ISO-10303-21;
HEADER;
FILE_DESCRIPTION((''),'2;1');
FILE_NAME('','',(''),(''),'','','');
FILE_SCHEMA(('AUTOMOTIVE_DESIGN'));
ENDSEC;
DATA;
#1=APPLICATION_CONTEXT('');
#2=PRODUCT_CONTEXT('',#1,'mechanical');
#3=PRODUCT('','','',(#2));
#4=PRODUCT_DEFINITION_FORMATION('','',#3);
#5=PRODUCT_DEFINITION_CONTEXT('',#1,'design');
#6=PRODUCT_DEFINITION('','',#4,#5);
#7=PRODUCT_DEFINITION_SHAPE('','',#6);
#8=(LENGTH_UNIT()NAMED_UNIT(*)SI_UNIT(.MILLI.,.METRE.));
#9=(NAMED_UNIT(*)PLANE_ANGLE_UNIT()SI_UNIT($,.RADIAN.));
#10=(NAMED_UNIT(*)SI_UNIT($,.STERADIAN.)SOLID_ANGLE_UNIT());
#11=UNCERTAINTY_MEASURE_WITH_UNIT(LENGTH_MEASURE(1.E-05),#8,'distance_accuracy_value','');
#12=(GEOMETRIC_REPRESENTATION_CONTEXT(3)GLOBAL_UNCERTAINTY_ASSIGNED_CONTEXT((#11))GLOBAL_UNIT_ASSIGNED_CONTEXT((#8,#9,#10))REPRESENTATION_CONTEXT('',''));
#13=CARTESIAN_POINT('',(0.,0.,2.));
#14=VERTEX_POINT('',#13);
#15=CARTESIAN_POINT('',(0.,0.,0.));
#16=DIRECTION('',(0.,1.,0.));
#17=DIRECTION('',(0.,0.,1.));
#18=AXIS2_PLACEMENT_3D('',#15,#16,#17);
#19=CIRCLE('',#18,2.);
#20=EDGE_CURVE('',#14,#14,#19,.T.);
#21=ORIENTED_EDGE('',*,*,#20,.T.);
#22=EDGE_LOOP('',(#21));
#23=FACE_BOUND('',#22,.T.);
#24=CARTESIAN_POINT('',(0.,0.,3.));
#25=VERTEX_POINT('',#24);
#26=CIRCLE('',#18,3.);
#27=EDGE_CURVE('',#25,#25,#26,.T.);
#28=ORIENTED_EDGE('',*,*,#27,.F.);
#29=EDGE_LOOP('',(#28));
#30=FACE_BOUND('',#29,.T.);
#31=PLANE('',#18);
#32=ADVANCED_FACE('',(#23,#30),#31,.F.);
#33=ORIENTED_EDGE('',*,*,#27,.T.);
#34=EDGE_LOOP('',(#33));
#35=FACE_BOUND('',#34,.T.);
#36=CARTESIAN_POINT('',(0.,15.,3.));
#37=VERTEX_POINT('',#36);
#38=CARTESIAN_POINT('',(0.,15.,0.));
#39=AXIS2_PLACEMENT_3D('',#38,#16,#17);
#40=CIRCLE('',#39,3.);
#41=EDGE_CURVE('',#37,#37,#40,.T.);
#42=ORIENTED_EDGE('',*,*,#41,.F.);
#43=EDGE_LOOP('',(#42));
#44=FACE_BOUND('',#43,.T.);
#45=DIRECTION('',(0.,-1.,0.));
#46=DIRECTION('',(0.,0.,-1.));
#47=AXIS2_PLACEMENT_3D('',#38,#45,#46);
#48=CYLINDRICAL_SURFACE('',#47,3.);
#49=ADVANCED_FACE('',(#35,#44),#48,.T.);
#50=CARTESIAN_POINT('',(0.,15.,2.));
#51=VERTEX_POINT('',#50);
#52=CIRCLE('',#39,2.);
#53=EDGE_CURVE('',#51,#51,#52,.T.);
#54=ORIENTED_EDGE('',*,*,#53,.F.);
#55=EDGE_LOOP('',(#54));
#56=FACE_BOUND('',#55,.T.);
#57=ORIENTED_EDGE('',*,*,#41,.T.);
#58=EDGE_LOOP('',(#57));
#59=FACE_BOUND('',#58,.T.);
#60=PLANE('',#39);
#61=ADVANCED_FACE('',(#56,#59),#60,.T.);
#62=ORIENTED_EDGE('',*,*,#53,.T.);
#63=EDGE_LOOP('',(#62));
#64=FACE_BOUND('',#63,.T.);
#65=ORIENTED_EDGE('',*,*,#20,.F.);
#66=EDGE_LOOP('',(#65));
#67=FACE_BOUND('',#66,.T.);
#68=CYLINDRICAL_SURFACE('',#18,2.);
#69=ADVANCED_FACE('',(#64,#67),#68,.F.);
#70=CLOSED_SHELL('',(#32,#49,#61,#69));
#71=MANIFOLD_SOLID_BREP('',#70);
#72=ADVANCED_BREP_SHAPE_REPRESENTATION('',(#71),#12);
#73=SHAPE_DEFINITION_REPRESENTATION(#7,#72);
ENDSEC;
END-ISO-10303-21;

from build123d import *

# Parameters (mm, degrees)
SKETCH1_R           = 3
BOSS_EXTRUDE1_DEPTH = 15
SKETCH2_R           = 2
CUT_EXTRUDE1_DEPTH  = 16.588457268


with BuildPart() as part:
    # Sketch1 → Boss-Extrude1 (new body)
    with BuildSketch(Plane(origin=(0, 0, 0), x_dir=(1, 0, 0), z_dir=(0, 1, 0))):
        with Locations(Location((0, 0, 0), (0, 0, 270))):
            Circle(SKETCH1_R)
    extrude(amount=BOSS_EXTRUDE1_DEPTH)

    # Sketch2 → Cut-Extrude1 (cut, through all)
    with BuildSketch(Plane(origin=(0, 15, 0), x_dir=(1, 0, 0), z_dir=(0, 1, 0))):
        with Locations(Location((0, 0, 0), (0, 0, 270))):
            Circle(SKETCH2_R)
    extrude(amount=-CUT_EXTRUDE1_DEPTH, mode=Mode.SUBTRACT)


solid = part.part
